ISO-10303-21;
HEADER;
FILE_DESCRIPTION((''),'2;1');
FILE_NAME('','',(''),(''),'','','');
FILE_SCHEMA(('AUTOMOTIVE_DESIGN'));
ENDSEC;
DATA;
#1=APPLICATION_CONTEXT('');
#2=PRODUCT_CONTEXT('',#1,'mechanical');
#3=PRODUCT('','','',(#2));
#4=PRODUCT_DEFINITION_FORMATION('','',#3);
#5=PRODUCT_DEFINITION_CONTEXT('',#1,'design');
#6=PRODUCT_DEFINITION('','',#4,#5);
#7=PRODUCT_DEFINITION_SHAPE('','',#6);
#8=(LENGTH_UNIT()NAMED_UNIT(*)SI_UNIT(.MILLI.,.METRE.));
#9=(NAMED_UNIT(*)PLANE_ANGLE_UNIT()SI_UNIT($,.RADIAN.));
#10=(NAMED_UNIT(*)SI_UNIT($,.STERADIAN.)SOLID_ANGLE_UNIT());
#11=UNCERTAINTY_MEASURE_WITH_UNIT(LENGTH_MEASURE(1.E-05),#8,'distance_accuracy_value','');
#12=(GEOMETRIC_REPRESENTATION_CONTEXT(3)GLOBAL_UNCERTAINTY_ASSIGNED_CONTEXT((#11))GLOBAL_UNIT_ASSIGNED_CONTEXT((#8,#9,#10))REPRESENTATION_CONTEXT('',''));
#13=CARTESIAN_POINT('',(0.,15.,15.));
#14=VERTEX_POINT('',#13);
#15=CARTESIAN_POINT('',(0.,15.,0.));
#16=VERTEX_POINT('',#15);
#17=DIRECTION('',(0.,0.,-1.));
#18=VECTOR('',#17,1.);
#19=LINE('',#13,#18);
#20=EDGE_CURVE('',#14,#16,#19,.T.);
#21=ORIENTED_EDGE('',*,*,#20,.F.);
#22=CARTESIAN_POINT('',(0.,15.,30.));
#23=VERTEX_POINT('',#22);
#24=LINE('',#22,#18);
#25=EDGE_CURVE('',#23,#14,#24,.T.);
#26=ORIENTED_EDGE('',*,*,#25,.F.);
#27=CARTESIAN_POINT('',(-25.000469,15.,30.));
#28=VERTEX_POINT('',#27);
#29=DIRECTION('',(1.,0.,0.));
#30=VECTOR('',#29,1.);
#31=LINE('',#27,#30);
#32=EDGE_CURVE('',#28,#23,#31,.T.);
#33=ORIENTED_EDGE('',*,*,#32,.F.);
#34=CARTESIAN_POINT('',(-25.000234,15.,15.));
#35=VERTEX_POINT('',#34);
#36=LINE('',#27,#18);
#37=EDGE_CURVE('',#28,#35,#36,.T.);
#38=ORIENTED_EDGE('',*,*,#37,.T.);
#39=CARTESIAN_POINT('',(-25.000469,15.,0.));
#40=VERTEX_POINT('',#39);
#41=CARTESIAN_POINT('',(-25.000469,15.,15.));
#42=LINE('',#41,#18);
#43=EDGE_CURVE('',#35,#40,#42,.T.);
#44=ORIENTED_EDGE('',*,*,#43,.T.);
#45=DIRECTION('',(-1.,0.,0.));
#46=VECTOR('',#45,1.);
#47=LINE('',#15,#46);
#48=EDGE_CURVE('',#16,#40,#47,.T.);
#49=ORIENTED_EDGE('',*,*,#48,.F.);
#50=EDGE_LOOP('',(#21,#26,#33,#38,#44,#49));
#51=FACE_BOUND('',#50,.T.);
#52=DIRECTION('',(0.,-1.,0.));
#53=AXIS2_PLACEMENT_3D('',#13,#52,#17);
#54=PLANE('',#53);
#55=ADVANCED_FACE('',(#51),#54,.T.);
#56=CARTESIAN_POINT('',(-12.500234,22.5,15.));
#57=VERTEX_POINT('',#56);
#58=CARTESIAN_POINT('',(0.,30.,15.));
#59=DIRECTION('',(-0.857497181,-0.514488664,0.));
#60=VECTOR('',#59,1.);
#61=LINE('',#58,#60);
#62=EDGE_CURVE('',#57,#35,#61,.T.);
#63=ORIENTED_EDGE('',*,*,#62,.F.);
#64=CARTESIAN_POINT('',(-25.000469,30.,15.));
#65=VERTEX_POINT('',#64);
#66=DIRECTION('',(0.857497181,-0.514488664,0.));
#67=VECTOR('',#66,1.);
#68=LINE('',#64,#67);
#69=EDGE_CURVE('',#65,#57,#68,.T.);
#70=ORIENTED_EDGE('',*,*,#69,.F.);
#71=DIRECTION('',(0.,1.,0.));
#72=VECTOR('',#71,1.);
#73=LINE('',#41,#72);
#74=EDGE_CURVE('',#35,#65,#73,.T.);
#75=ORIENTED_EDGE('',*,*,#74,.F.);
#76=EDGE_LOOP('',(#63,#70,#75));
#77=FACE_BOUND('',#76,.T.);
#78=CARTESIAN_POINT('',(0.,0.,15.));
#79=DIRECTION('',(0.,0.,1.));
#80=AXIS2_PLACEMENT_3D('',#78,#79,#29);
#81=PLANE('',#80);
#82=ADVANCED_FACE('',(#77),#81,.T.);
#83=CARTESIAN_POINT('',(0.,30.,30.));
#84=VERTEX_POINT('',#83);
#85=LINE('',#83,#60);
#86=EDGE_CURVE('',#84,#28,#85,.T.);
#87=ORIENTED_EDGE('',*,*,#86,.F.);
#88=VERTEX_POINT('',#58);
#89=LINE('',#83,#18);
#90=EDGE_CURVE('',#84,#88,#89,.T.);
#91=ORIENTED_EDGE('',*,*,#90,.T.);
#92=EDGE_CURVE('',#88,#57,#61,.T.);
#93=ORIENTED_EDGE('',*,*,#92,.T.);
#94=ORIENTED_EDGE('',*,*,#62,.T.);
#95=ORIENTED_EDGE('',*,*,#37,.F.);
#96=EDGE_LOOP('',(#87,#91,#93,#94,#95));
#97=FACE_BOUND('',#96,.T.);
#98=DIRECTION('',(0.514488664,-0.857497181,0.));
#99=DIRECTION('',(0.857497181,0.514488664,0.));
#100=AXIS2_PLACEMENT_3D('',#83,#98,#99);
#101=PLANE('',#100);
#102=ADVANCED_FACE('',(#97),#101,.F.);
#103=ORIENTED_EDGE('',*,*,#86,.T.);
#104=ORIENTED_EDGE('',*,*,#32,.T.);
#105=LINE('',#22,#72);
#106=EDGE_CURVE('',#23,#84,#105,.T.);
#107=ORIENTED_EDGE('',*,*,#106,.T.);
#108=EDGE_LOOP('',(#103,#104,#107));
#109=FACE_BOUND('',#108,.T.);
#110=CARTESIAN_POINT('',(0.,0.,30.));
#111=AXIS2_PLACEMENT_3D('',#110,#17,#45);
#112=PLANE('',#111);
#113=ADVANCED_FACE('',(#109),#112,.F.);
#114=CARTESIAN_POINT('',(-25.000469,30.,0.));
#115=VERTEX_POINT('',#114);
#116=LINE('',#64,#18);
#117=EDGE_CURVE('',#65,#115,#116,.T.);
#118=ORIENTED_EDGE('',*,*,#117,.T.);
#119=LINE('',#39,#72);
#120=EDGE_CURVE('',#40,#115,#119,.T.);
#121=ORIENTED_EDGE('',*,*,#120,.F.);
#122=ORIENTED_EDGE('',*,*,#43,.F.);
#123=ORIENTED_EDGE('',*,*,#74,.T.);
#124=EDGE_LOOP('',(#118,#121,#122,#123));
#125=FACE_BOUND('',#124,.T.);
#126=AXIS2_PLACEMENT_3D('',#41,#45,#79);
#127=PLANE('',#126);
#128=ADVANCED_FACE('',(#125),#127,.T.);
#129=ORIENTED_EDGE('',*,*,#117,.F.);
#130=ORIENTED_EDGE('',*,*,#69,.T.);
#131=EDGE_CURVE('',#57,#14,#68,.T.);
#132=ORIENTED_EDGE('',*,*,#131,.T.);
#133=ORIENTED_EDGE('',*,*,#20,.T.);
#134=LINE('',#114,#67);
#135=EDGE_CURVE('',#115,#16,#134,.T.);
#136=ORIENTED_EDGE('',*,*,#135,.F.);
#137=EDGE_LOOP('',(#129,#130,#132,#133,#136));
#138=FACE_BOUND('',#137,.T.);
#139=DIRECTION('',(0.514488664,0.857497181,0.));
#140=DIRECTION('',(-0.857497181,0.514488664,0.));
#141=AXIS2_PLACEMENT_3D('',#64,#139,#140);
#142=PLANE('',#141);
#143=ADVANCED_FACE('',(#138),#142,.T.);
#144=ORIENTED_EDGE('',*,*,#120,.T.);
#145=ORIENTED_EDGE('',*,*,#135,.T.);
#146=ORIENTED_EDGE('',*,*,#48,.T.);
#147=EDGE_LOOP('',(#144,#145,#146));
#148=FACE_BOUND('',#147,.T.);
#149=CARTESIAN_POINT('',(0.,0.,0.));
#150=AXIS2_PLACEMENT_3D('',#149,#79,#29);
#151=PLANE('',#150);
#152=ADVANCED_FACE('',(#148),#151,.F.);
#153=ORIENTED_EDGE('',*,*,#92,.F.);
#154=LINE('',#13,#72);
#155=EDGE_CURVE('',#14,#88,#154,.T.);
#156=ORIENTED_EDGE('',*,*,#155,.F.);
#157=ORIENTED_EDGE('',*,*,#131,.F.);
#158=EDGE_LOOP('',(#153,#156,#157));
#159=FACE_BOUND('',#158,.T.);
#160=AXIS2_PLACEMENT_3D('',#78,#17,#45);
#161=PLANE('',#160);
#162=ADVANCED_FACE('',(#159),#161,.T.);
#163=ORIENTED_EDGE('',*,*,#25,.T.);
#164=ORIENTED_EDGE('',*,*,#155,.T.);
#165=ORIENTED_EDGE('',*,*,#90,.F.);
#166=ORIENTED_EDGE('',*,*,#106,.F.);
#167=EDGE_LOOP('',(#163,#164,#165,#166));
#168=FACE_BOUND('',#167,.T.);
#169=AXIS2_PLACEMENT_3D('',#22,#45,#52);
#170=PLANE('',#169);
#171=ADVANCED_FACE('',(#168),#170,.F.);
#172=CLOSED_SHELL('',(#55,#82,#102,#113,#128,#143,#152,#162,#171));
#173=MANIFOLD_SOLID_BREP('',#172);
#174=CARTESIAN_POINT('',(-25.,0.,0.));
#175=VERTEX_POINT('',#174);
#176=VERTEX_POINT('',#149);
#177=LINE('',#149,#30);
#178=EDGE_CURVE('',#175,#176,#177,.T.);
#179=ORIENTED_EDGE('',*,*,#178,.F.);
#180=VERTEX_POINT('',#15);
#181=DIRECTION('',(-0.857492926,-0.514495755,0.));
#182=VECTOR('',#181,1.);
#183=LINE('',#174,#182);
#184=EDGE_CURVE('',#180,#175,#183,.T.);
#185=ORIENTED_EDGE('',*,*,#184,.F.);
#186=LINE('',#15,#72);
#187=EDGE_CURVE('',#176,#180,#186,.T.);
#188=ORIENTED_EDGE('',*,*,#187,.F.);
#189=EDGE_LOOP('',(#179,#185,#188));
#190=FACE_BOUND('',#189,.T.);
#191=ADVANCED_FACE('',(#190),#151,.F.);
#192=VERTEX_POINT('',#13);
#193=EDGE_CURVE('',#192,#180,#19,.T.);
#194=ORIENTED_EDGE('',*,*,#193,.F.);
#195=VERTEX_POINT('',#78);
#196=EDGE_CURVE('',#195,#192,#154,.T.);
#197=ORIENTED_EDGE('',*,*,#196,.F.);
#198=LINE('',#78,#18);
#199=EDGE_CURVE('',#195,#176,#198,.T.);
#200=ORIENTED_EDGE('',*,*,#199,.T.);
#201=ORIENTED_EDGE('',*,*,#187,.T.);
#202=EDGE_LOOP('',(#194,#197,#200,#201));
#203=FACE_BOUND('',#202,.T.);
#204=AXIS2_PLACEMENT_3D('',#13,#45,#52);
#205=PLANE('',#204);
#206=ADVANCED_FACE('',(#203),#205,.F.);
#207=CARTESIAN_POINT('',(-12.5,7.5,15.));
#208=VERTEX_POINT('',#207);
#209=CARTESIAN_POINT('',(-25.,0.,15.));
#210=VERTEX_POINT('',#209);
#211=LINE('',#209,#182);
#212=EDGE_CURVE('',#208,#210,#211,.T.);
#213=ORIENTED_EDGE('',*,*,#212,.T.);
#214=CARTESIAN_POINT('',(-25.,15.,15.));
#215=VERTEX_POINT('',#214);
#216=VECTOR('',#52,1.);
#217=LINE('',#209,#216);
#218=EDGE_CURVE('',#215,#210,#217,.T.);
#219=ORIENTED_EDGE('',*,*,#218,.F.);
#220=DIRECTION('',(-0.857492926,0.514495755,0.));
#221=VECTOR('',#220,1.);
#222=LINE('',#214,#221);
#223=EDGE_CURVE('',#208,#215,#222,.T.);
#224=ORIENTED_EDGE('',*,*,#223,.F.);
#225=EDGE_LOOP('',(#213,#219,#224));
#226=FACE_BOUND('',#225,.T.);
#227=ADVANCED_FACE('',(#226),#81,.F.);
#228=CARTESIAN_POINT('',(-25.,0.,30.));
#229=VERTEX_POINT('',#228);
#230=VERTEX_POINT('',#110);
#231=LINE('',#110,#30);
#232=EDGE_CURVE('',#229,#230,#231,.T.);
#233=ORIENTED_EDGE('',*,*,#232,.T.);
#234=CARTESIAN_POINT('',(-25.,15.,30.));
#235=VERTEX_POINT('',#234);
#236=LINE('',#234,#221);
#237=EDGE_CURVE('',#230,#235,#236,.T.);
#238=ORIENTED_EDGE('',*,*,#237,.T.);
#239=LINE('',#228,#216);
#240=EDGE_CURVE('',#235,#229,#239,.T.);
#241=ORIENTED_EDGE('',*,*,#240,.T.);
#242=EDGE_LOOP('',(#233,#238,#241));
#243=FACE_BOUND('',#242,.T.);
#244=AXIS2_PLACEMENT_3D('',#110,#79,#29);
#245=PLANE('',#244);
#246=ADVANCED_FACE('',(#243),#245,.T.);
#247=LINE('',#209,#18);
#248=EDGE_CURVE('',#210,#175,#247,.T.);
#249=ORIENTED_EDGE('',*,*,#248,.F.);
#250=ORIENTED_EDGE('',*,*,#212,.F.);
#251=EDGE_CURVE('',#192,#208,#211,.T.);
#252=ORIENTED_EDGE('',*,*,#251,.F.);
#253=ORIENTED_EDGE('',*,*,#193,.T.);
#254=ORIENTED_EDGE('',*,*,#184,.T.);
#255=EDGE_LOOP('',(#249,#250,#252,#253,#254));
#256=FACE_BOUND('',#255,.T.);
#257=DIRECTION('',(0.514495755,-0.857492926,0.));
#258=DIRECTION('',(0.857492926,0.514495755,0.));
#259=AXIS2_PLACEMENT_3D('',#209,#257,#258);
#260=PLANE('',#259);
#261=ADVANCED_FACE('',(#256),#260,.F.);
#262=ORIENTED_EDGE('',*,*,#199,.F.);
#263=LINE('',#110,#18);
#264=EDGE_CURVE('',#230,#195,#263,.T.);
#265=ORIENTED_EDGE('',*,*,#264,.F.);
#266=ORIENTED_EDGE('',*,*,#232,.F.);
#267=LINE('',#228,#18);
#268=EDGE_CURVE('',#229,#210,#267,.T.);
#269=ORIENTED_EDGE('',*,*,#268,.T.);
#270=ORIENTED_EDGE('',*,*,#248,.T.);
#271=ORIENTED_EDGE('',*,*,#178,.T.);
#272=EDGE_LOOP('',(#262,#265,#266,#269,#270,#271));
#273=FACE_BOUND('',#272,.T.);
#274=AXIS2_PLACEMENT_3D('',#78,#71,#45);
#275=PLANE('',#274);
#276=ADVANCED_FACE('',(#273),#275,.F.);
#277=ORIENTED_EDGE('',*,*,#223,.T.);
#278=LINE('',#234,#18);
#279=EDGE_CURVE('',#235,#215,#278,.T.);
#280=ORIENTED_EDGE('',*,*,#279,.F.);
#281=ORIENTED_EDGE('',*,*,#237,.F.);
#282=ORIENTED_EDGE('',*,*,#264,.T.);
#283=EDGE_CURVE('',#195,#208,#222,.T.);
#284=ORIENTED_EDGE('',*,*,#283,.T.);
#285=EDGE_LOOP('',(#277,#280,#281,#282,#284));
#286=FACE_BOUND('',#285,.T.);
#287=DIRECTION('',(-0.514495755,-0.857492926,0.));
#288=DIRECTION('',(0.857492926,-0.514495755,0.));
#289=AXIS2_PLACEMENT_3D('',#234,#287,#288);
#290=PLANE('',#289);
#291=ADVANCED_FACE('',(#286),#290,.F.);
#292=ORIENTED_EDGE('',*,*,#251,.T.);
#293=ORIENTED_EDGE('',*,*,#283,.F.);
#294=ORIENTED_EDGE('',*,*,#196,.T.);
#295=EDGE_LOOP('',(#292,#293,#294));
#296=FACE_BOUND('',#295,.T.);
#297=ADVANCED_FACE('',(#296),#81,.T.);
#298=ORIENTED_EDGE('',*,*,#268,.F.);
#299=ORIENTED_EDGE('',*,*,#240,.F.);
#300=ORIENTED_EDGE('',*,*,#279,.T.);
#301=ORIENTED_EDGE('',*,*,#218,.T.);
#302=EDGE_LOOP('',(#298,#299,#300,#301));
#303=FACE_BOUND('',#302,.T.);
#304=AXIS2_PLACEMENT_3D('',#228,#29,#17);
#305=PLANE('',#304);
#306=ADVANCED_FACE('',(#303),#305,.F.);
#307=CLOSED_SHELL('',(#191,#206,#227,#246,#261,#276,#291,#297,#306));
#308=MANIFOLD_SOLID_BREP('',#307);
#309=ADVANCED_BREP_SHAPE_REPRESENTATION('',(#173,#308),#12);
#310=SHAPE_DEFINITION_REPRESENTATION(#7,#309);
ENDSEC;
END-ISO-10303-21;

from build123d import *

# Parameters (mm, degrees)
BOSS_EXTRUDE1_DEPTH = 15
BOSS_EXTRUDE2_DEPTH = 15
BOSS_EXTRUDE3_DEPTH = 15
BOSS_EXTRUDE4_DEPTH = 15


with BuildPart() as part:
    # Sketch1 → Boss-Extrude1 (new body)
    with BuildSketch(Plane.XY):
        Polygon((-25, 0), (0, 15), (0, 0), align=None)
    extrude(amount=BOSS_EXTRUDE1_DEPTH)

    # Sketch3 → Boss-Extrude3 (add)
    with BuildSketch(Plane.XY.offset(15)):
        Polygon((0, 0), (-25, 0), (-25, 15), align=None)
    extrude(amount=BOSS_EXTRUDE3_DEPTH)


with BuildPart() as body_2:
    # Sketch2 → Boss-Extrude2 (new body)
    with BuildSketch(Plane(origin=(0, 0, 0), x_dir=(-1, 0, 0), z_dir=(0, 0, -1))):
        Polygon((0, 15), (25.000468659, 15), (25.000468659, 30), align=None)
    extrude(amount=-BOSS_EXTRUDE2_DEPTH)

    # Sketch4 → Boss-Extrude4 (add)
    with BuildSketch(Plane.XY.offset(15)):
        Polygon((-25.000468659, 15), (0, 15), (0, 30), align=None)
    extrude(amount=BOSS_EXTRUDE4_DEPTH)


solid = Compound([part.part, body_2.part])
